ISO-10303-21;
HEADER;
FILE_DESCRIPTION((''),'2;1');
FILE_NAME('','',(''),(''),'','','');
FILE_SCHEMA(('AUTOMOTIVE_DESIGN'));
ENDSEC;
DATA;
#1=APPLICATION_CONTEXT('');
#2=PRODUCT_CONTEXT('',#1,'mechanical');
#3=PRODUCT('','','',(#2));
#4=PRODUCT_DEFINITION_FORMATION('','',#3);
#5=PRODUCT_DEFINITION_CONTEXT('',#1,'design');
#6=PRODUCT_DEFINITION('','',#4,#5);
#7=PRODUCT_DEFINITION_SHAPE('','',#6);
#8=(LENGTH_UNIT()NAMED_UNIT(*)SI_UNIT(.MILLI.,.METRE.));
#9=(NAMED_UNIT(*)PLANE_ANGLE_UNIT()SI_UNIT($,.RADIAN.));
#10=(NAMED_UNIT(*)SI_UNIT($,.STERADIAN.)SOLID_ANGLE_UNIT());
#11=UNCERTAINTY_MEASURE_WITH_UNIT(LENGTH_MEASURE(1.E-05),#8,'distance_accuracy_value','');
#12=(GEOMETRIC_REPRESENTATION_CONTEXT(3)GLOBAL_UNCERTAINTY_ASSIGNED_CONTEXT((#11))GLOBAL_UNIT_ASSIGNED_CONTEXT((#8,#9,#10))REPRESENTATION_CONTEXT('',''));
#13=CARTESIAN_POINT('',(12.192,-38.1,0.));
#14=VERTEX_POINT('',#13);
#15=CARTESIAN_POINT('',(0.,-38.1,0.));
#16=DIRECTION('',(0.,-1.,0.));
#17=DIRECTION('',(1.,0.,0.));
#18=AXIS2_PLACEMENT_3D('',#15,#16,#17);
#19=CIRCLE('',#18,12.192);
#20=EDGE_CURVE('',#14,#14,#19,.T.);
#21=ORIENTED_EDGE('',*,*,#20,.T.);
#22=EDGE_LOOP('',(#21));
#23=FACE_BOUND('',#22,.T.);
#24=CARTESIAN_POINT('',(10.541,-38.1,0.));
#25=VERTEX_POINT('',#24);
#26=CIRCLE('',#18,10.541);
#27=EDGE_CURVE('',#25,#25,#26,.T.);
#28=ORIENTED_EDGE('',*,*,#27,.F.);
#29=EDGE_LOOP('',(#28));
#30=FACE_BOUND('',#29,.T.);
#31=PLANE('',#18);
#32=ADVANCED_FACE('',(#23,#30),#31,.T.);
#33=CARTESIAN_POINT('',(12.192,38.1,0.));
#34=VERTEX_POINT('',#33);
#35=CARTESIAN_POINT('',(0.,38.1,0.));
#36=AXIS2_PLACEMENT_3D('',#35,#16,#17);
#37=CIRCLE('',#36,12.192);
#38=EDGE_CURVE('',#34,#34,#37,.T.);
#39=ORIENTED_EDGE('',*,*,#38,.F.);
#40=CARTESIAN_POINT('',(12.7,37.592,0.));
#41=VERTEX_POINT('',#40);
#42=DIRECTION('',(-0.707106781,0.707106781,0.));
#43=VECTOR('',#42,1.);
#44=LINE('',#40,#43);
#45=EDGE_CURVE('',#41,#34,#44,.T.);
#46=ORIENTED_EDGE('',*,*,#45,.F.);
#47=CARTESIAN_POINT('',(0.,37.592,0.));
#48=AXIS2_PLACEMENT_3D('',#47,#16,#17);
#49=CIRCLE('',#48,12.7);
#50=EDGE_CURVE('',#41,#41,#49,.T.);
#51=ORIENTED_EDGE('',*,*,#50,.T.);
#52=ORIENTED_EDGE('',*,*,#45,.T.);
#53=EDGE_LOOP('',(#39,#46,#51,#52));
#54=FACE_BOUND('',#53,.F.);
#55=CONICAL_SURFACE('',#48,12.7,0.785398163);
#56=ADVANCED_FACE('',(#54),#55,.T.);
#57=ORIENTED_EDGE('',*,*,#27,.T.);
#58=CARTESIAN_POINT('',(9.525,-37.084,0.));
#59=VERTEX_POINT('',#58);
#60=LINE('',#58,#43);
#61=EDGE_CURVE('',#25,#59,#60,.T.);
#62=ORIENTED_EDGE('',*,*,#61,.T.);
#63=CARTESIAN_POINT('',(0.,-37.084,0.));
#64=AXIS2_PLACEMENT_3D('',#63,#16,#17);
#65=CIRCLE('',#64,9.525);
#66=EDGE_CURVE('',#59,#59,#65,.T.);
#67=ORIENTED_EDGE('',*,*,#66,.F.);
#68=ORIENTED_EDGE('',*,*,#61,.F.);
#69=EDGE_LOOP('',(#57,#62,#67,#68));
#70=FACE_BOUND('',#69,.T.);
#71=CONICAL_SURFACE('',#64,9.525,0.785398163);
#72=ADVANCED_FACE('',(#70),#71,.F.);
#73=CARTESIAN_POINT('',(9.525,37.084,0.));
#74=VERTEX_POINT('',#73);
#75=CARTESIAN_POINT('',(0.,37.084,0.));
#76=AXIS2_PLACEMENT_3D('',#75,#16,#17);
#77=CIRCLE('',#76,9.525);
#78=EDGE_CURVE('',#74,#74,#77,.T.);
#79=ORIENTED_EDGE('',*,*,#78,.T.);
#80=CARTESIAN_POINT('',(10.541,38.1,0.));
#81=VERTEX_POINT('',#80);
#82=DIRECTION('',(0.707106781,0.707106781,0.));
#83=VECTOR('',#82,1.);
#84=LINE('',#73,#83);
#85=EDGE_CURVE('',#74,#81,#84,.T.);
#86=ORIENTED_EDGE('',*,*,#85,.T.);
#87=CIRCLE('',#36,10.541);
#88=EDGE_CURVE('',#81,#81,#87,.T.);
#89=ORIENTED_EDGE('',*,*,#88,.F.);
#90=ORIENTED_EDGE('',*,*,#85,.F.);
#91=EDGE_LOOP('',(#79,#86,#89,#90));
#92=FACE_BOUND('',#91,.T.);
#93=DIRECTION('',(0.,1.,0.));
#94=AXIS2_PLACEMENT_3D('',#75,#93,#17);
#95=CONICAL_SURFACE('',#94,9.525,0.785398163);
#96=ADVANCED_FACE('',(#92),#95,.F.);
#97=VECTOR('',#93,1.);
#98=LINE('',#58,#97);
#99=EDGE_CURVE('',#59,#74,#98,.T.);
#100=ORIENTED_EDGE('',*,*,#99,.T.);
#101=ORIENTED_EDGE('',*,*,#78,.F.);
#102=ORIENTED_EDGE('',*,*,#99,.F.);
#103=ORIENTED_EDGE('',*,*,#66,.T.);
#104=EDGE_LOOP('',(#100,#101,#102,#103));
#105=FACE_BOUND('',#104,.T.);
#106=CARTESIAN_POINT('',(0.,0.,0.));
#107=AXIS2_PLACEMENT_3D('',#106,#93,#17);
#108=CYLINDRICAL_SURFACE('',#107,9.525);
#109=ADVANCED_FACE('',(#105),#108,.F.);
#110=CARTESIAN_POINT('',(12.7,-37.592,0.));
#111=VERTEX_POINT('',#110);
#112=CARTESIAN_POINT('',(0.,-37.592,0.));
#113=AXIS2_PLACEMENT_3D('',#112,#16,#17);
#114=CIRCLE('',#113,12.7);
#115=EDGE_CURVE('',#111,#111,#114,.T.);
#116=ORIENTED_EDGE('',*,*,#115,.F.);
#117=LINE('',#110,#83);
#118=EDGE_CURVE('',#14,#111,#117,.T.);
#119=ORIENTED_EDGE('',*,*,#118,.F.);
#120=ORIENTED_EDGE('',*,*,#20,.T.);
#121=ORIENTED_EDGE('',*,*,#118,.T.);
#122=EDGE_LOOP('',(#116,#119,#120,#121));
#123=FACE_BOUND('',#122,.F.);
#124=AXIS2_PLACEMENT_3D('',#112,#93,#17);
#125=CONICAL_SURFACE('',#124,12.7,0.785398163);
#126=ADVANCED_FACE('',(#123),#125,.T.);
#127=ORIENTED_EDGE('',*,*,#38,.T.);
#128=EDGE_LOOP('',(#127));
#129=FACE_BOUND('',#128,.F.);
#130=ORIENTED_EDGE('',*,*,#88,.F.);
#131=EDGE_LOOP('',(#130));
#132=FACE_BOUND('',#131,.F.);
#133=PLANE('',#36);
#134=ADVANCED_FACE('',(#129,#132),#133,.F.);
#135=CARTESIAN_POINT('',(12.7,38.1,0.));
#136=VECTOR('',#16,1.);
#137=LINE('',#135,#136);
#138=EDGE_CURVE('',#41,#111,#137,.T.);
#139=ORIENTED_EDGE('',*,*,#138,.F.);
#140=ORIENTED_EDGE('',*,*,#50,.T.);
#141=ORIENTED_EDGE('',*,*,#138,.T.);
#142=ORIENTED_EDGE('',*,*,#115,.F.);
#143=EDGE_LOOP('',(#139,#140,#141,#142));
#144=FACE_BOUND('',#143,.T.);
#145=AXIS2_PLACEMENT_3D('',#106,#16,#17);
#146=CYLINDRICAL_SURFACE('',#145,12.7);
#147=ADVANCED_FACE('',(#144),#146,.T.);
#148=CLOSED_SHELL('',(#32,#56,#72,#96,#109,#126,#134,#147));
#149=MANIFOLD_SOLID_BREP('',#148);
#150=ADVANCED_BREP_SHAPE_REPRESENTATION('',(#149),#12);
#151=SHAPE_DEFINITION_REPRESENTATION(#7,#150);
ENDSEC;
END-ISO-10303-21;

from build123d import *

# Parameters (mm, degrees)
F0_R          = 12.7
F0_R_2        = 9.525
F1_DEPTH      = 38.1
F1_DEPTH_BACK = 38.1
F2_SIZE       = 1.016
F3_SIZE       = 0.508


with BuildPart() as f1:
    # F0 (on Front) → F1 (new body, two sides)
    with BuildSketch(Plane.XZ) as f1_sk:
        Circle(F0_R)
        Circle(F0_R_2, mode=Mode.SUBTRACT)
    extrude(amount=F1_DEPTH)
    extrude(f1_sk.sketch, amount=-F1_DEPTH_BACK)

    # F2
    f2_edges = [f1.edges().sort_by_distance(p)[0] for p in [
        (-9.525, -38.1, 0),
        (-9.525, 38.1, 0),
    ]]
    chamfer(f2_edges, length=F2_SIZE)

    # F3
    f3_edges = [f1.edges().sort_by_distance(p)[0] for p in [
        (-12.7, 38.1, 0),
        (-12.7, -38.1, 0),
    ]]
    chamfer(f3_edges, length=F3_SIZE)


solid = f1.part
